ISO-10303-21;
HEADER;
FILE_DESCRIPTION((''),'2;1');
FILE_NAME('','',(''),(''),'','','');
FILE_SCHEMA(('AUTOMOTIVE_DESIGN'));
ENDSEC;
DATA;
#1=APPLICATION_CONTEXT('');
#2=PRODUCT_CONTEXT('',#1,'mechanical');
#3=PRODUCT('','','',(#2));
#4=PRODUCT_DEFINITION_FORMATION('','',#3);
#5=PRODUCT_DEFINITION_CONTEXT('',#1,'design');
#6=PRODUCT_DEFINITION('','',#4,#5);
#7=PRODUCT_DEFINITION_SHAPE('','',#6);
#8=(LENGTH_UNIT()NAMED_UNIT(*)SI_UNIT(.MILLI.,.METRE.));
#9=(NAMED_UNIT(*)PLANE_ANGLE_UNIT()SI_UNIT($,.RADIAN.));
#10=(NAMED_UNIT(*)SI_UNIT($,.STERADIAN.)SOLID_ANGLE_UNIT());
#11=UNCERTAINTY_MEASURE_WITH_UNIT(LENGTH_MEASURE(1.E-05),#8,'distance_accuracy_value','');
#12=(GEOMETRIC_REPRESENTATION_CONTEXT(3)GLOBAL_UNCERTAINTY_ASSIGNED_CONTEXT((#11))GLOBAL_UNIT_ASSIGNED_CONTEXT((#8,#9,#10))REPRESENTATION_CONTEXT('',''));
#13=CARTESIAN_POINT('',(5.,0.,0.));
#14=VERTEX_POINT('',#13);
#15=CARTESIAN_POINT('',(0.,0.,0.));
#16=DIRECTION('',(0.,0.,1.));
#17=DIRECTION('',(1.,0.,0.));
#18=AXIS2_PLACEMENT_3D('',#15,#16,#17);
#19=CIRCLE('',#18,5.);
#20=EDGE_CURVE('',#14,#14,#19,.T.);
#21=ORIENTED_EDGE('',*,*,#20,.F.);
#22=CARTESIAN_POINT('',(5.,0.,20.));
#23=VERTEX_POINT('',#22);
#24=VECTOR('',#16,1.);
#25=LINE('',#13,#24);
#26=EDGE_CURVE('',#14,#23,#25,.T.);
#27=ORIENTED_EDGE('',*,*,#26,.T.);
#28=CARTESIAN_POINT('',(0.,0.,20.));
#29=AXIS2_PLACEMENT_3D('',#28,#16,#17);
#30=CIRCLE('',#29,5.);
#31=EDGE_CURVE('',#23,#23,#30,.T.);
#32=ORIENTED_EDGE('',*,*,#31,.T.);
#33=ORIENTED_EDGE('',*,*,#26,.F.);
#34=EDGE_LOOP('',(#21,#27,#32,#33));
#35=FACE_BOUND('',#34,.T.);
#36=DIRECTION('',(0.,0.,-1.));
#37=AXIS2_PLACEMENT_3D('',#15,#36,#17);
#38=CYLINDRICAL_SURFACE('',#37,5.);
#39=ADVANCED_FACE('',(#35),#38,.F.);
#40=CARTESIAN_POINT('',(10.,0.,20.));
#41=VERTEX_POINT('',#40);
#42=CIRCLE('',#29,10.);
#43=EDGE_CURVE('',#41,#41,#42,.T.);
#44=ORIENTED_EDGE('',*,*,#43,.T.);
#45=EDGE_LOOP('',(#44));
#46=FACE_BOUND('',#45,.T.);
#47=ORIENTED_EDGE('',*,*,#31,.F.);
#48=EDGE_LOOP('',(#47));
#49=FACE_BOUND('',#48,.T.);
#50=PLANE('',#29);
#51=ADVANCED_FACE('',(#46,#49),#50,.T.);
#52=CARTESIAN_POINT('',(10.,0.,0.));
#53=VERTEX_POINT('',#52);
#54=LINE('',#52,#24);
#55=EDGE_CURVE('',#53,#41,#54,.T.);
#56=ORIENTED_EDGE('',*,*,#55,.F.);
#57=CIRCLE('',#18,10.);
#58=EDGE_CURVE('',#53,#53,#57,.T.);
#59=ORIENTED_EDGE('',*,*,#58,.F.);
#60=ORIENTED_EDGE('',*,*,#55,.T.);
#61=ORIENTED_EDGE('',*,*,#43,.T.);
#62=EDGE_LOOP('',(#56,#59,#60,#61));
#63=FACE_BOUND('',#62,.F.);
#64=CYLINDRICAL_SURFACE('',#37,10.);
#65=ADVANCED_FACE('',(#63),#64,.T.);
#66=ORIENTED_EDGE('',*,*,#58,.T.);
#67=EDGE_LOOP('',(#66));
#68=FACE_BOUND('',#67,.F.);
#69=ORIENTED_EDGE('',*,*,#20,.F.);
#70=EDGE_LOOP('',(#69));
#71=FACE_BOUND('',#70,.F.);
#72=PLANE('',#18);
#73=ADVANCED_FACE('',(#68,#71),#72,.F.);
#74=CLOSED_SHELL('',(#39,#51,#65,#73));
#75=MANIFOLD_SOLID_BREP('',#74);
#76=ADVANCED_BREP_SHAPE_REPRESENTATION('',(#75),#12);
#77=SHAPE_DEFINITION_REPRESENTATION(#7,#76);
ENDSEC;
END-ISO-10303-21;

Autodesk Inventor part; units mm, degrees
ref_plane "YZ Plane" through (0, 0, 0) normal (1, 0, 0) x (0, 1, 0)
ref_plane "XZ Plane" through (0, 0, 0) normal (0, 1, 0) x (-1, 0, 0)
ref_plane "XY Plane" through (0, 0, 0) normal (0, 0, 1) x (1, 0, 0)
sketch "Sketch1" plane through (0, 0, 0) normal (0, 0, 1) x (1, 0, 0)
  circle A0 centre (0, 0) radius 5
  circle A1 centre (0, 0) radius 10
  dimension "d0" = 10
  dimension "d1" = 20
extrude "Extrusion1" add sketch "Sketch1" along normal blind 20
properties part number "standCircular" material "Steel, Mild"
